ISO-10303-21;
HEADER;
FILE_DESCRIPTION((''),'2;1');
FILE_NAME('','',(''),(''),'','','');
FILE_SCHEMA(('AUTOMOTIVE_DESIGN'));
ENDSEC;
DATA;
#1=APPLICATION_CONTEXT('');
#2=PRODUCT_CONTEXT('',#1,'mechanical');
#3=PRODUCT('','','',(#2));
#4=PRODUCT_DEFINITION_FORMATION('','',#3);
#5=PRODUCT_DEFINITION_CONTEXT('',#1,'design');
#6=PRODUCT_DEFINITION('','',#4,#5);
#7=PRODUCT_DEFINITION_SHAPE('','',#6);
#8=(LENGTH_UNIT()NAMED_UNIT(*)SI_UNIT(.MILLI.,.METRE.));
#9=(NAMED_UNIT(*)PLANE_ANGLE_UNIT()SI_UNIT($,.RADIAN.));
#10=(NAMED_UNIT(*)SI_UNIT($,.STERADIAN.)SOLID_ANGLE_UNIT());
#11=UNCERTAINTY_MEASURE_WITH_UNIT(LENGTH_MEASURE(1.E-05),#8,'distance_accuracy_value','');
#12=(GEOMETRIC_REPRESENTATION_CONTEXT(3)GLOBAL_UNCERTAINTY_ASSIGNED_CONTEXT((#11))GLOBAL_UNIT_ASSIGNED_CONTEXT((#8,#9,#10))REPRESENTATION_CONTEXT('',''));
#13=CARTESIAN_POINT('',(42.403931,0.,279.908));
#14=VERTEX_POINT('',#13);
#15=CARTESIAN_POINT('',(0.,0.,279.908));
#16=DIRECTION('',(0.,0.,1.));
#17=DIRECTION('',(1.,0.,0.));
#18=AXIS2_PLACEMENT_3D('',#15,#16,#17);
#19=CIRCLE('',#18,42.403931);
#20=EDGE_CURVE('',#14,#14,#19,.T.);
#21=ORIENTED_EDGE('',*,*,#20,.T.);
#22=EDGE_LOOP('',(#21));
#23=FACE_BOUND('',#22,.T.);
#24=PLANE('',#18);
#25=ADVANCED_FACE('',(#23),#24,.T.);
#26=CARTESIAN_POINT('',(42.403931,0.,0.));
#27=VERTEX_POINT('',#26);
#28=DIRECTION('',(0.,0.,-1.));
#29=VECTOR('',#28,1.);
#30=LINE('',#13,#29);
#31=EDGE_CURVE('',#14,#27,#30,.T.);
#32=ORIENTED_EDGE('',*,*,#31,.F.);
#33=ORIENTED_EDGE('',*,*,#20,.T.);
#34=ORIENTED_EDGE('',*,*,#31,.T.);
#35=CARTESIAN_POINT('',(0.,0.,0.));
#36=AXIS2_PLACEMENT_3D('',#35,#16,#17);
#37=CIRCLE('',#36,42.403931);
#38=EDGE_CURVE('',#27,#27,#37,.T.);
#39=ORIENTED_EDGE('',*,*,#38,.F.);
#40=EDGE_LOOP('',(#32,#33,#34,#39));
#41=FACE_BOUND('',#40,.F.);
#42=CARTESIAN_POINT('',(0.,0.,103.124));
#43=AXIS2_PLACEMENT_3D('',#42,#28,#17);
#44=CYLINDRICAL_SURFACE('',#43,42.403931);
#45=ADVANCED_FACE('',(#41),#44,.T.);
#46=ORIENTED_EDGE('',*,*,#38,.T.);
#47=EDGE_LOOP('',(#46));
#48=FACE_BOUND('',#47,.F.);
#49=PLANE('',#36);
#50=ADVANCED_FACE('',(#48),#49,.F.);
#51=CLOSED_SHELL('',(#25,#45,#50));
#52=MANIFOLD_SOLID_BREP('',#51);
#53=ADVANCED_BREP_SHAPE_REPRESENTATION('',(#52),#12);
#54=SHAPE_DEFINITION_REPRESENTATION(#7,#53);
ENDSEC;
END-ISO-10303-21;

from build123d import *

# Parameters (mm, degrees)
F0_R       = 32.7181038806
F0_R_2     = 2.3607355304
F1_DEPTH   = 25.4
F2_DEPTH   = 64.008
F3_T       = -2.54
F5_R       = 42.4039305663
F6_DEPTH   = 25.4
F7_DEPTH   = 77.724
F8_R       = 42.4039305663
F7_FACE_R  = 42.4039305663
F6_FACE1_R = 42.4039305663
F9_DEPTH   = 127
F10_R      = 37.8949269506
F11_DEPTH  = 173.228
F12_DEPTH  = 279.908


with BuildPart() as f1:
    # F0 (on Top) → F1 (new body)
    with BuildSketch(Plane.XY):
        Circle(F0_R)
        Circle(F0_R_2, mode=Mode.SUBTRACT)
    extrude(amount=F1_DEPTH)

    # F2 (add): a face of the model
    f2_faces = [f1.faces().sort_by_distance(p)[0] for p in [
        (-31.7926961558, 0, 25.4),
    ]]
    extrude(f2_faces, amount=F2_DEPTH)

    # F3
    f3_openings = [f1.faces().sort_by_distance(p)[0] for p in [
        (-31.792696, 0, 89.408),
    ]]
    offset(amount=F3_T, openings=f3_openings)


with BuildPart() as f6:
    # F5 (on Top) → F6 (new body)
    with BuildSketch(Plane.XY):
        Circle(F5_R)
    extrude(amount=F6_DEPTH)

    # F7 (add): a face of the model
    f7_faces = [f6.faces().sort_by_distance(p)[0] for p in [
        (0, 0, 25.4),
    ]]
    extrude(f7_faces, amount=F7_DEPTH)

    # F8 (on face) + F7_face (on face) + F6_face1 (on face) → F9 (join)
    with BuildSketch(Plane.XY.offset(103.124)):
        Circle(F8_R)
    with BuildSketch(Plane.XY.offset(103.124)):
        Circle(F7_FACE_R)
    with BuildSketch(Plane(origin=(0, 0, 0), x_dir=(1, 0, 0), z_dir=(0, 0, -1))):
        Circle(F6_FACE1_R)
    extrude(amount=F9_DEPTH, dir=(0, 0, 1))

    # F10 (on Top) → F11 (join)
    with BuildSketch(Plane.XY):
        Circle(F10_R)
    extrude(amount=F11_DEPTH)

    # F12 (add): a face of the model
    f12_faces = [f6.faces().sort_by_distance(p)[0] for p in [
        (0, 0, 0),
    ]]
    extrude(f12_faces, amount=-F12_DEPTH)


solid = f6.part
